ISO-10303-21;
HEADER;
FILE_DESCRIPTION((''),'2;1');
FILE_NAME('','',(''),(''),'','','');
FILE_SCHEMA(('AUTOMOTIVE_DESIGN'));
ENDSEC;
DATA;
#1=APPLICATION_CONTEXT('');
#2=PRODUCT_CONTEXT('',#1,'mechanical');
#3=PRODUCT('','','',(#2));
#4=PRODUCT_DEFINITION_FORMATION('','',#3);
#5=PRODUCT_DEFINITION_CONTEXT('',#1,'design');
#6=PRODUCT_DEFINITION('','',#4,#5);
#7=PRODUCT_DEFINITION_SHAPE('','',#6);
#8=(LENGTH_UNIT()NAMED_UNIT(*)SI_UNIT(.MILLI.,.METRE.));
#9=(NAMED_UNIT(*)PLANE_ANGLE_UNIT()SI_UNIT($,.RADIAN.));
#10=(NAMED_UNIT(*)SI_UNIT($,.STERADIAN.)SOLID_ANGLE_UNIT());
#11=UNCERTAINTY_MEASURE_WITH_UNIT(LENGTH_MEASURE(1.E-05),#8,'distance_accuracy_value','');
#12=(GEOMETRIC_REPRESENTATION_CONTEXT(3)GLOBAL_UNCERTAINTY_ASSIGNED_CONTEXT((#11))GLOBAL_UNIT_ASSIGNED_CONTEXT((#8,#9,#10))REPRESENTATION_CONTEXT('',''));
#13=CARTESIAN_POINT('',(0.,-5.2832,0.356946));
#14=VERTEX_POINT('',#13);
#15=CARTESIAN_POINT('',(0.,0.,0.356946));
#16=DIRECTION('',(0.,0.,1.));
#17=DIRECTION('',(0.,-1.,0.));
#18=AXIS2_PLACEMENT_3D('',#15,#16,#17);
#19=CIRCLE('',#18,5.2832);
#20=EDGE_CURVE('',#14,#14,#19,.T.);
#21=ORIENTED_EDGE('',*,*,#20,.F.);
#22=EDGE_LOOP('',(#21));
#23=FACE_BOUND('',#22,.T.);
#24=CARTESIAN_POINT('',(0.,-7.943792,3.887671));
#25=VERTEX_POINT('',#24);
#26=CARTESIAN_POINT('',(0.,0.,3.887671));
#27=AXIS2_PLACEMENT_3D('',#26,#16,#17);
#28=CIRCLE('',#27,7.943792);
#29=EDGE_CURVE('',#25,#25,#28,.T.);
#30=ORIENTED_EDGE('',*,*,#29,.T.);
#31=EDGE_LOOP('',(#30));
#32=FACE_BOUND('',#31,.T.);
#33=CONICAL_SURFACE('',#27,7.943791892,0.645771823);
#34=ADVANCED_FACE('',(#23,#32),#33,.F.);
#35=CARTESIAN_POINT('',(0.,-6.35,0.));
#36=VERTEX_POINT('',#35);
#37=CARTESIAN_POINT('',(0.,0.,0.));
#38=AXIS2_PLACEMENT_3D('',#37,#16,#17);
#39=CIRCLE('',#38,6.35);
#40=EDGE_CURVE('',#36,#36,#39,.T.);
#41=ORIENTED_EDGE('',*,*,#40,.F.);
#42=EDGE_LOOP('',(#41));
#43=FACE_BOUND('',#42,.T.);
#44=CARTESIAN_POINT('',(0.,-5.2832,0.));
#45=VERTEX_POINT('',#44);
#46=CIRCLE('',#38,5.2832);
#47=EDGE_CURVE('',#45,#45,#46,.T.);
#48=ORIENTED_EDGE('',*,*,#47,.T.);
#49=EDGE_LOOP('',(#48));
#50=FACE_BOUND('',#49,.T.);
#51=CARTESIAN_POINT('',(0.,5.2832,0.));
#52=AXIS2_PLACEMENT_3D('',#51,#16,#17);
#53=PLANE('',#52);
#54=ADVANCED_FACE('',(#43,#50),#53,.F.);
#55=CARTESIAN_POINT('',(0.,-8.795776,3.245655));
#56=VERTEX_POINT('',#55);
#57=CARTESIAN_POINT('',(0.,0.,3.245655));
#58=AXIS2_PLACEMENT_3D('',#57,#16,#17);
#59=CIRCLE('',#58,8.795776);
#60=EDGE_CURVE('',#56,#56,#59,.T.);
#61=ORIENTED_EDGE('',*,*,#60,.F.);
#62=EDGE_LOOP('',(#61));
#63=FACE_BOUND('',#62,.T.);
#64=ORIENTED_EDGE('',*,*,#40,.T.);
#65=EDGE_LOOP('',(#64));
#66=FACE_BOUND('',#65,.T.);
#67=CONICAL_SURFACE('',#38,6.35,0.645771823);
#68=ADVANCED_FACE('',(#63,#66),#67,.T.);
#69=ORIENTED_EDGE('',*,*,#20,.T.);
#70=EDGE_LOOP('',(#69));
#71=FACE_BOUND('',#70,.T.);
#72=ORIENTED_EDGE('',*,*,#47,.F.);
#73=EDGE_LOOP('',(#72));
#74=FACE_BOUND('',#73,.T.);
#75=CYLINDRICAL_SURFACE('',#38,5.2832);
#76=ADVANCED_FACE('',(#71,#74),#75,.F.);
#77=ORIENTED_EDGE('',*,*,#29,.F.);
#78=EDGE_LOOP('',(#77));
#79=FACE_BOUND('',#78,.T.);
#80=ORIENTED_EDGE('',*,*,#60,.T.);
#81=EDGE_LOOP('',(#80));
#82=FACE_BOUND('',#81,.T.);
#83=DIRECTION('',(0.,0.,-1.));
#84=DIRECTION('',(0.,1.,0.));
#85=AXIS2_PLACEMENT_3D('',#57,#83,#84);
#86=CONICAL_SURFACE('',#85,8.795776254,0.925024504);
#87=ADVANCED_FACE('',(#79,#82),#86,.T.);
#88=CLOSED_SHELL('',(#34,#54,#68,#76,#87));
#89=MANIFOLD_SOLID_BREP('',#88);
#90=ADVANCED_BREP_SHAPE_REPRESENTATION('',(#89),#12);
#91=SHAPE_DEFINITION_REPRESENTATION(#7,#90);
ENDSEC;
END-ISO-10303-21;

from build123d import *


with BuildPart() as part:
    # Sketch2 → Revolve1 (revolve)
    with BuildSketch(Plane(origin=(0, 0, 0), x_dir=(0, 0, -1), z_dir=(1, 0, 0))):
        Polygon((0, 6.35), (-3.245654713, 8.795776254), (-3.88767098, 7.943791892), (-0.642016267, 5.498015638), (-0.356946287, 5.2832), (0, 5.2832), align=None)
    revolve(axis=Axis((0, 0, 0), (0, 0, -1)))


solid = part.part
